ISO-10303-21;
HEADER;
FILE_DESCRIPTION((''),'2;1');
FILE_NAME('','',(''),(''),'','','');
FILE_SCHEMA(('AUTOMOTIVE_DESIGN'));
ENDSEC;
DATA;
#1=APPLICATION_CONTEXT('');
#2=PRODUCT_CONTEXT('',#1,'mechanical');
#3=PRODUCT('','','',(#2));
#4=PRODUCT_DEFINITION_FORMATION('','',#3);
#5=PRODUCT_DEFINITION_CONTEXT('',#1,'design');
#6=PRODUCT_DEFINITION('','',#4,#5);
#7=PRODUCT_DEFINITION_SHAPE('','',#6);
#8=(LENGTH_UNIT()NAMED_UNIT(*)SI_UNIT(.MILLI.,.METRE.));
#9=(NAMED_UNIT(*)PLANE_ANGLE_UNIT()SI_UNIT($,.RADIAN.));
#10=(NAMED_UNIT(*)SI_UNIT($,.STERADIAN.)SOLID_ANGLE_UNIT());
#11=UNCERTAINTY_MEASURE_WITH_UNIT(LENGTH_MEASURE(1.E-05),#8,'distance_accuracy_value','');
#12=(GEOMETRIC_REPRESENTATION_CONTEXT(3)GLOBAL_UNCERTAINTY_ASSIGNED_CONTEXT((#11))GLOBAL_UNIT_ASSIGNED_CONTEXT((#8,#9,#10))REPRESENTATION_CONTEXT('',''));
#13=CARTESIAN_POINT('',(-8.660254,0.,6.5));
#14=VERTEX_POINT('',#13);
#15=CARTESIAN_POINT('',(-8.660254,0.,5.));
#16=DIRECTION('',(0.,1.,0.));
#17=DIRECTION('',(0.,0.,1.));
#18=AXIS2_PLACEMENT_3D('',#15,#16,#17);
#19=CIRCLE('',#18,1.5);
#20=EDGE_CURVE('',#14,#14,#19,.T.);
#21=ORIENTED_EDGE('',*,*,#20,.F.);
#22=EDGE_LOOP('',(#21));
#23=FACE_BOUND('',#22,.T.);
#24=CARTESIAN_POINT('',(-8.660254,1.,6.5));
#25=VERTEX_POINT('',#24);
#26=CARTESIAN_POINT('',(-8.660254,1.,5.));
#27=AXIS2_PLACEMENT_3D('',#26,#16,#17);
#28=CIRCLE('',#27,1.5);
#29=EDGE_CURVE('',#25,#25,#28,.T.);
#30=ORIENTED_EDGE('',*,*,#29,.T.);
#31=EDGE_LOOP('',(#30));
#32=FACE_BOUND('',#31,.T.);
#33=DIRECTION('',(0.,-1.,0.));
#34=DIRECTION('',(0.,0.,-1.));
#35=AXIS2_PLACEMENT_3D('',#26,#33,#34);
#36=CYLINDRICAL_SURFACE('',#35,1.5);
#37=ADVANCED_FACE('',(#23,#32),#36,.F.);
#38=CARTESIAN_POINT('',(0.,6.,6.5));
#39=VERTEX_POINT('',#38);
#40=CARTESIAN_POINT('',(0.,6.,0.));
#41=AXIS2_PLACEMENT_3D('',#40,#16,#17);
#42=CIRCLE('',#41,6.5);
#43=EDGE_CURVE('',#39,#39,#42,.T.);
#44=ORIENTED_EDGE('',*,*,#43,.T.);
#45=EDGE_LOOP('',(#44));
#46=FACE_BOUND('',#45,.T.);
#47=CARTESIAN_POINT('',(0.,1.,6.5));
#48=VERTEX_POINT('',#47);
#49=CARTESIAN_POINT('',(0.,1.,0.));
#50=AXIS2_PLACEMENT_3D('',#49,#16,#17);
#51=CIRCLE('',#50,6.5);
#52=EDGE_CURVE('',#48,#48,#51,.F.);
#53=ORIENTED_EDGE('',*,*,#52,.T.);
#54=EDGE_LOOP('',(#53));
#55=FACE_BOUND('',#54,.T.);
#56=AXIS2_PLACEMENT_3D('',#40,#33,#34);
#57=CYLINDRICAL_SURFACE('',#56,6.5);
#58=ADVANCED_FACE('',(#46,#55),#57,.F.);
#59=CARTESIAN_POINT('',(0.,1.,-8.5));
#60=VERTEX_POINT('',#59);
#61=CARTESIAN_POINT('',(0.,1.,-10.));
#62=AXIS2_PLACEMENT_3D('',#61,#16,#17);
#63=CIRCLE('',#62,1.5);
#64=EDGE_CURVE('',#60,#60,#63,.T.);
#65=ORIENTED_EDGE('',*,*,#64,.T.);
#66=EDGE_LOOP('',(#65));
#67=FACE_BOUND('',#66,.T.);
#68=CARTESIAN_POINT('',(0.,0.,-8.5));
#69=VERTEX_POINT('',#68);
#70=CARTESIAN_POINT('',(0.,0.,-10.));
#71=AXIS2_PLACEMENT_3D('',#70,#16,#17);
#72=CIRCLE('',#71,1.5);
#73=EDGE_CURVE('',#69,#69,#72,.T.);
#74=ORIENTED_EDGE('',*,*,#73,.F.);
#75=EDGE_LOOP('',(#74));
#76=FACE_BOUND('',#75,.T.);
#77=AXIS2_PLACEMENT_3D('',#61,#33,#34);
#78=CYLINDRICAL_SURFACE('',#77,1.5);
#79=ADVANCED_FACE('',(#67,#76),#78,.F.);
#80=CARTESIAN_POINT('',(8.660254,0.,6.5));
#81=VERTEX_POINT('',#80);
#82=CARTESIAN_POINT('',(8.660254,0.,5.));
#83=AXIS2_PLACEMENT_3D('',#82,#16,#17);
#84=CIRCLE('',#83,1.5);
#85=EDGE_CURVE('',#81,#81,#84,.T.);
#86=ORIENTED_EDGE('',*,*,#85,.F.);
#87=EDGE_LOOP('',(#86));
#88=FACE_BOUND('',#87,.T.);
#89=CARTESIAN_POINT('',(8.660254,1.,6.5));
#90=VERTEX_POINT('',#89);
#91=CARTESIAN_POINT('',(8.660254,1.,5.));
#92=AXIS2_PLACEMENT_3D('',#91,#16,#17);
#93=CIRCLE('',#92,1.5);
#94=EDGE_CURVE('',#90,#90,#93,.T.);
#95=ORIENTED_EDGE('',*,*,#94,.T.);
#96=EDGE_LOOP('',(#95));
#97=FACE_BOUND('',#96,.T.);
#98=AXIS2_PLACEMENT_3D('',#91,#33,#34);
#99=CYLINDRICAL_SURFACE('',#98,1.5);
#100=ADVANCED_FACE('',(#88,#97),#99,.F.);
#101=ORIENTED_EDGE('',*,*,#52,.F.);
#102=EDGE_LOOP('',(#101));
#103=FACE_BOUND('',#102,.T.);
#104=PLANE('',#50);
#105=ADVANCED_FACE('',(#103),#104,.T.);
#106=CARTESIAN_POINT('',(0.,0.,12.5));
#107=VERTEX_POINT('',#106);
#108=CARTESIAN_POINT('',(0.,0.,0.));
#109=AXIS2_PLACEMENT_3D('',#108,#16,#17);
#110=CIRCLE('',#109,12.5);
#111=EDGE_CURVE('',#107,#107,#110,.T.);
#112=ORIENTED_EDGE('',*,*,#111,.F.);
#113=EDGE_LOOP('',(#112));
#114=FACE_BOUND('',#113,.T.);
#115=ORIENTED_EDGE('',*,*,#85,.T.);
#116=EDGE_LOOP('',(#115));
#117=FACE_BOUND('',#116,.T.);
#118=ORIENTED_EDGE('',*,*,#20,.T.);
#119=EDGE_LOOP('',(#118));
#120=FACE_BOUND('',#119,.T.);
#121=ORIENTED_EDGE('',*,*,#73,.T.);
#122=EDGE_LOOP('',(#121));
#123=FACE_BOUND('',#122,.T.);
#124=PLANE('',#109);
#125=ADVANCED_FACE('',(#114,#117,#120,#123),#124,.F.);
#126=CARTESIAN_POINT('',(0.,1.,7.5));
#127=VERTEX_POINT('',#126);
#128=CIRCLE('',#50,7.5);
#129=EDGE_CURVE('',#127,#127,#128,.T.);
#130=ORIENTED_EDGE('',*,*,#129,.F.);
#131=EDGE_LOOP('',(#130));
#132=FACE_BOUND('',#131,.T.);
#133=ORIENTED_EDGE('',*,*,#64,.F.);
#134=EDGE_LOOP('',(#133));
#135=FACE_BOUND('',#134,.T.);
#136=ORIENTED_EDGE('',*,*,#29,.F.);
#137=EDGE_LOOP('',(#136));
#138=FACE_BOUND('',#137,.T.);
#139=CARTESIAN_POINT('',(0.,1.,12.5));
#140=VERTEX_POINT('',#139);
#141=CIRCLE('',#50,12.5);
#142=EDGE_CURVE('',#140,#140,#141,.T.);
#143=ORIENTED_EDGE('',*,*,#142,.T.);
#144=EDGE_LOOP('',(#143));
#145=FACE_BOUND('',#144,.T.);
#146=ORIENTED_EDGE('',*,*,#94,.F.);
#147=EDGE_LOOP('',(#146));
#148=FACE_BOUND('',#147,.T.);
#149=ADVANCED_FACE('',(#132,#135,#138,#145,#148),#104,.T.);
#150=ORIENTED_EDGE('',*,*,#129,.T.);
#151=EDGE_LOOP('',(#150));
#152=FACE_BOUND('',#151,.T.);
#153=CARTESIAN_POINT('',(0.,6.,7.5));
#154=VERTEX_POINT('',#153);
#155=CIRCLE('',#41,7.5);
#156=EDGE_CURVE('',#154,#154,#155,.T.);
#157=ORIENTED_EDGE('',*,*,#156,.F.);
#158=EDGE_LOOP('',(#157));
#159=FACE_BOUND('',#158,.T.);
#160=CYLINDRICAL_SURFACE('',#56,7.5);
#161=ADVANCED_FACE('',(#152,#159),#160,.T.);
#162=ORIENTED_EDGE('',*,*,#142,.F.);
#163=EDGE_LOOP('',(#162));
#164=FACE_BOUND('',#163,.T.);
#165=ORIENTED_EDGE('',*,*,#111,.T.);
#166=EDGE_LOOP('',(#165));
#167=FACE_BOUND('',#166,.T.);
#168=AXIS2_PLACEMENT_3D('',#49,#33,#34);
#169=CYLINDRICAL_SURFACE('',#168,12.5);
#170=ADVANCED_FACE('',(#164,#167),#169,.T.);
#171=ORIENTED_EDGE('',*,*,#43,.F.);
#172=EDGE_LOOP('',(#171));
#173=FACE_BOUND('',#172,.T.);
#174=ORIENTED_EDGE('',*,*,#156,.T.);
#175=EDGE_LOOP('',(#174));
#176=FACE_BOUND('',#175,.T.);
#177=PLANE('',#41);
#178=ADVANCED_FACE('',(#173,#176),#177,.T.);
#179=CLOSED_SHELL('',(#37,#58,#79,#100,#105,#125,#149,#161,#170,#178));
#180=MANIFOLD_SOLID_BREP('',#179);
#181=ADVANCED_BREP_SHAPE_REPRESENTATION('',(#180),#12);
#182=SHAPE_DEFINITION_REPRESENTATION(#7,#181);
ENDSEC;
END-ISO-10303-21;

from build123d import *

# Parameters (mm, degrees)
SKETCH2_R           = 12.5
SKETCH2_R_2         = 1.5
BOSS_EXTRUDE1_DEPTH = 1
SKETCH3_R           = 7.5
SKETCH3_R_2         = 6.5
BOSS_EXTRUDE2_DEPTH = 5


with BuildPart() as part:
    # Sketch2 → Boss-Extrude1 (new body)
    with BuildSketch(Plane(origin=(0, 0, 0), x_dir=(1, 0, 0), z_dir=(0, 1, 0))):
        Circle(SKETCH2_R)
        with Locations((0, 10)):
            Circle(SKETCH2_R_2, mode=Mode.SUBTRACT)
        with Locations((8.660254038, -5)):
            Circle(SKETCH2_R_2, mode=Mode.SUBTRACT)
        with Locations((-8.660254038, -5)):
            Circle(SKETCH2_R_2, mode=Mode.SUBTRACT)
    extrude(amount=BOSS_EXTRUDE1_DEPTH)

    # Sketch3 → Boss-Extrude2 (add)
    with BuildSketch(Plane(origin=(0, 1, 0), x_dir=(1, 0, 0), z_dir=(0, 1, 0))):
        Circle(SKETCH3_R)
        Circle(SKETCH3_R_2, mode=Mode.SUBTRACT)
    extrude(amount=BOSS_EXTRUDE2_DEPTH)


solid = part.part
